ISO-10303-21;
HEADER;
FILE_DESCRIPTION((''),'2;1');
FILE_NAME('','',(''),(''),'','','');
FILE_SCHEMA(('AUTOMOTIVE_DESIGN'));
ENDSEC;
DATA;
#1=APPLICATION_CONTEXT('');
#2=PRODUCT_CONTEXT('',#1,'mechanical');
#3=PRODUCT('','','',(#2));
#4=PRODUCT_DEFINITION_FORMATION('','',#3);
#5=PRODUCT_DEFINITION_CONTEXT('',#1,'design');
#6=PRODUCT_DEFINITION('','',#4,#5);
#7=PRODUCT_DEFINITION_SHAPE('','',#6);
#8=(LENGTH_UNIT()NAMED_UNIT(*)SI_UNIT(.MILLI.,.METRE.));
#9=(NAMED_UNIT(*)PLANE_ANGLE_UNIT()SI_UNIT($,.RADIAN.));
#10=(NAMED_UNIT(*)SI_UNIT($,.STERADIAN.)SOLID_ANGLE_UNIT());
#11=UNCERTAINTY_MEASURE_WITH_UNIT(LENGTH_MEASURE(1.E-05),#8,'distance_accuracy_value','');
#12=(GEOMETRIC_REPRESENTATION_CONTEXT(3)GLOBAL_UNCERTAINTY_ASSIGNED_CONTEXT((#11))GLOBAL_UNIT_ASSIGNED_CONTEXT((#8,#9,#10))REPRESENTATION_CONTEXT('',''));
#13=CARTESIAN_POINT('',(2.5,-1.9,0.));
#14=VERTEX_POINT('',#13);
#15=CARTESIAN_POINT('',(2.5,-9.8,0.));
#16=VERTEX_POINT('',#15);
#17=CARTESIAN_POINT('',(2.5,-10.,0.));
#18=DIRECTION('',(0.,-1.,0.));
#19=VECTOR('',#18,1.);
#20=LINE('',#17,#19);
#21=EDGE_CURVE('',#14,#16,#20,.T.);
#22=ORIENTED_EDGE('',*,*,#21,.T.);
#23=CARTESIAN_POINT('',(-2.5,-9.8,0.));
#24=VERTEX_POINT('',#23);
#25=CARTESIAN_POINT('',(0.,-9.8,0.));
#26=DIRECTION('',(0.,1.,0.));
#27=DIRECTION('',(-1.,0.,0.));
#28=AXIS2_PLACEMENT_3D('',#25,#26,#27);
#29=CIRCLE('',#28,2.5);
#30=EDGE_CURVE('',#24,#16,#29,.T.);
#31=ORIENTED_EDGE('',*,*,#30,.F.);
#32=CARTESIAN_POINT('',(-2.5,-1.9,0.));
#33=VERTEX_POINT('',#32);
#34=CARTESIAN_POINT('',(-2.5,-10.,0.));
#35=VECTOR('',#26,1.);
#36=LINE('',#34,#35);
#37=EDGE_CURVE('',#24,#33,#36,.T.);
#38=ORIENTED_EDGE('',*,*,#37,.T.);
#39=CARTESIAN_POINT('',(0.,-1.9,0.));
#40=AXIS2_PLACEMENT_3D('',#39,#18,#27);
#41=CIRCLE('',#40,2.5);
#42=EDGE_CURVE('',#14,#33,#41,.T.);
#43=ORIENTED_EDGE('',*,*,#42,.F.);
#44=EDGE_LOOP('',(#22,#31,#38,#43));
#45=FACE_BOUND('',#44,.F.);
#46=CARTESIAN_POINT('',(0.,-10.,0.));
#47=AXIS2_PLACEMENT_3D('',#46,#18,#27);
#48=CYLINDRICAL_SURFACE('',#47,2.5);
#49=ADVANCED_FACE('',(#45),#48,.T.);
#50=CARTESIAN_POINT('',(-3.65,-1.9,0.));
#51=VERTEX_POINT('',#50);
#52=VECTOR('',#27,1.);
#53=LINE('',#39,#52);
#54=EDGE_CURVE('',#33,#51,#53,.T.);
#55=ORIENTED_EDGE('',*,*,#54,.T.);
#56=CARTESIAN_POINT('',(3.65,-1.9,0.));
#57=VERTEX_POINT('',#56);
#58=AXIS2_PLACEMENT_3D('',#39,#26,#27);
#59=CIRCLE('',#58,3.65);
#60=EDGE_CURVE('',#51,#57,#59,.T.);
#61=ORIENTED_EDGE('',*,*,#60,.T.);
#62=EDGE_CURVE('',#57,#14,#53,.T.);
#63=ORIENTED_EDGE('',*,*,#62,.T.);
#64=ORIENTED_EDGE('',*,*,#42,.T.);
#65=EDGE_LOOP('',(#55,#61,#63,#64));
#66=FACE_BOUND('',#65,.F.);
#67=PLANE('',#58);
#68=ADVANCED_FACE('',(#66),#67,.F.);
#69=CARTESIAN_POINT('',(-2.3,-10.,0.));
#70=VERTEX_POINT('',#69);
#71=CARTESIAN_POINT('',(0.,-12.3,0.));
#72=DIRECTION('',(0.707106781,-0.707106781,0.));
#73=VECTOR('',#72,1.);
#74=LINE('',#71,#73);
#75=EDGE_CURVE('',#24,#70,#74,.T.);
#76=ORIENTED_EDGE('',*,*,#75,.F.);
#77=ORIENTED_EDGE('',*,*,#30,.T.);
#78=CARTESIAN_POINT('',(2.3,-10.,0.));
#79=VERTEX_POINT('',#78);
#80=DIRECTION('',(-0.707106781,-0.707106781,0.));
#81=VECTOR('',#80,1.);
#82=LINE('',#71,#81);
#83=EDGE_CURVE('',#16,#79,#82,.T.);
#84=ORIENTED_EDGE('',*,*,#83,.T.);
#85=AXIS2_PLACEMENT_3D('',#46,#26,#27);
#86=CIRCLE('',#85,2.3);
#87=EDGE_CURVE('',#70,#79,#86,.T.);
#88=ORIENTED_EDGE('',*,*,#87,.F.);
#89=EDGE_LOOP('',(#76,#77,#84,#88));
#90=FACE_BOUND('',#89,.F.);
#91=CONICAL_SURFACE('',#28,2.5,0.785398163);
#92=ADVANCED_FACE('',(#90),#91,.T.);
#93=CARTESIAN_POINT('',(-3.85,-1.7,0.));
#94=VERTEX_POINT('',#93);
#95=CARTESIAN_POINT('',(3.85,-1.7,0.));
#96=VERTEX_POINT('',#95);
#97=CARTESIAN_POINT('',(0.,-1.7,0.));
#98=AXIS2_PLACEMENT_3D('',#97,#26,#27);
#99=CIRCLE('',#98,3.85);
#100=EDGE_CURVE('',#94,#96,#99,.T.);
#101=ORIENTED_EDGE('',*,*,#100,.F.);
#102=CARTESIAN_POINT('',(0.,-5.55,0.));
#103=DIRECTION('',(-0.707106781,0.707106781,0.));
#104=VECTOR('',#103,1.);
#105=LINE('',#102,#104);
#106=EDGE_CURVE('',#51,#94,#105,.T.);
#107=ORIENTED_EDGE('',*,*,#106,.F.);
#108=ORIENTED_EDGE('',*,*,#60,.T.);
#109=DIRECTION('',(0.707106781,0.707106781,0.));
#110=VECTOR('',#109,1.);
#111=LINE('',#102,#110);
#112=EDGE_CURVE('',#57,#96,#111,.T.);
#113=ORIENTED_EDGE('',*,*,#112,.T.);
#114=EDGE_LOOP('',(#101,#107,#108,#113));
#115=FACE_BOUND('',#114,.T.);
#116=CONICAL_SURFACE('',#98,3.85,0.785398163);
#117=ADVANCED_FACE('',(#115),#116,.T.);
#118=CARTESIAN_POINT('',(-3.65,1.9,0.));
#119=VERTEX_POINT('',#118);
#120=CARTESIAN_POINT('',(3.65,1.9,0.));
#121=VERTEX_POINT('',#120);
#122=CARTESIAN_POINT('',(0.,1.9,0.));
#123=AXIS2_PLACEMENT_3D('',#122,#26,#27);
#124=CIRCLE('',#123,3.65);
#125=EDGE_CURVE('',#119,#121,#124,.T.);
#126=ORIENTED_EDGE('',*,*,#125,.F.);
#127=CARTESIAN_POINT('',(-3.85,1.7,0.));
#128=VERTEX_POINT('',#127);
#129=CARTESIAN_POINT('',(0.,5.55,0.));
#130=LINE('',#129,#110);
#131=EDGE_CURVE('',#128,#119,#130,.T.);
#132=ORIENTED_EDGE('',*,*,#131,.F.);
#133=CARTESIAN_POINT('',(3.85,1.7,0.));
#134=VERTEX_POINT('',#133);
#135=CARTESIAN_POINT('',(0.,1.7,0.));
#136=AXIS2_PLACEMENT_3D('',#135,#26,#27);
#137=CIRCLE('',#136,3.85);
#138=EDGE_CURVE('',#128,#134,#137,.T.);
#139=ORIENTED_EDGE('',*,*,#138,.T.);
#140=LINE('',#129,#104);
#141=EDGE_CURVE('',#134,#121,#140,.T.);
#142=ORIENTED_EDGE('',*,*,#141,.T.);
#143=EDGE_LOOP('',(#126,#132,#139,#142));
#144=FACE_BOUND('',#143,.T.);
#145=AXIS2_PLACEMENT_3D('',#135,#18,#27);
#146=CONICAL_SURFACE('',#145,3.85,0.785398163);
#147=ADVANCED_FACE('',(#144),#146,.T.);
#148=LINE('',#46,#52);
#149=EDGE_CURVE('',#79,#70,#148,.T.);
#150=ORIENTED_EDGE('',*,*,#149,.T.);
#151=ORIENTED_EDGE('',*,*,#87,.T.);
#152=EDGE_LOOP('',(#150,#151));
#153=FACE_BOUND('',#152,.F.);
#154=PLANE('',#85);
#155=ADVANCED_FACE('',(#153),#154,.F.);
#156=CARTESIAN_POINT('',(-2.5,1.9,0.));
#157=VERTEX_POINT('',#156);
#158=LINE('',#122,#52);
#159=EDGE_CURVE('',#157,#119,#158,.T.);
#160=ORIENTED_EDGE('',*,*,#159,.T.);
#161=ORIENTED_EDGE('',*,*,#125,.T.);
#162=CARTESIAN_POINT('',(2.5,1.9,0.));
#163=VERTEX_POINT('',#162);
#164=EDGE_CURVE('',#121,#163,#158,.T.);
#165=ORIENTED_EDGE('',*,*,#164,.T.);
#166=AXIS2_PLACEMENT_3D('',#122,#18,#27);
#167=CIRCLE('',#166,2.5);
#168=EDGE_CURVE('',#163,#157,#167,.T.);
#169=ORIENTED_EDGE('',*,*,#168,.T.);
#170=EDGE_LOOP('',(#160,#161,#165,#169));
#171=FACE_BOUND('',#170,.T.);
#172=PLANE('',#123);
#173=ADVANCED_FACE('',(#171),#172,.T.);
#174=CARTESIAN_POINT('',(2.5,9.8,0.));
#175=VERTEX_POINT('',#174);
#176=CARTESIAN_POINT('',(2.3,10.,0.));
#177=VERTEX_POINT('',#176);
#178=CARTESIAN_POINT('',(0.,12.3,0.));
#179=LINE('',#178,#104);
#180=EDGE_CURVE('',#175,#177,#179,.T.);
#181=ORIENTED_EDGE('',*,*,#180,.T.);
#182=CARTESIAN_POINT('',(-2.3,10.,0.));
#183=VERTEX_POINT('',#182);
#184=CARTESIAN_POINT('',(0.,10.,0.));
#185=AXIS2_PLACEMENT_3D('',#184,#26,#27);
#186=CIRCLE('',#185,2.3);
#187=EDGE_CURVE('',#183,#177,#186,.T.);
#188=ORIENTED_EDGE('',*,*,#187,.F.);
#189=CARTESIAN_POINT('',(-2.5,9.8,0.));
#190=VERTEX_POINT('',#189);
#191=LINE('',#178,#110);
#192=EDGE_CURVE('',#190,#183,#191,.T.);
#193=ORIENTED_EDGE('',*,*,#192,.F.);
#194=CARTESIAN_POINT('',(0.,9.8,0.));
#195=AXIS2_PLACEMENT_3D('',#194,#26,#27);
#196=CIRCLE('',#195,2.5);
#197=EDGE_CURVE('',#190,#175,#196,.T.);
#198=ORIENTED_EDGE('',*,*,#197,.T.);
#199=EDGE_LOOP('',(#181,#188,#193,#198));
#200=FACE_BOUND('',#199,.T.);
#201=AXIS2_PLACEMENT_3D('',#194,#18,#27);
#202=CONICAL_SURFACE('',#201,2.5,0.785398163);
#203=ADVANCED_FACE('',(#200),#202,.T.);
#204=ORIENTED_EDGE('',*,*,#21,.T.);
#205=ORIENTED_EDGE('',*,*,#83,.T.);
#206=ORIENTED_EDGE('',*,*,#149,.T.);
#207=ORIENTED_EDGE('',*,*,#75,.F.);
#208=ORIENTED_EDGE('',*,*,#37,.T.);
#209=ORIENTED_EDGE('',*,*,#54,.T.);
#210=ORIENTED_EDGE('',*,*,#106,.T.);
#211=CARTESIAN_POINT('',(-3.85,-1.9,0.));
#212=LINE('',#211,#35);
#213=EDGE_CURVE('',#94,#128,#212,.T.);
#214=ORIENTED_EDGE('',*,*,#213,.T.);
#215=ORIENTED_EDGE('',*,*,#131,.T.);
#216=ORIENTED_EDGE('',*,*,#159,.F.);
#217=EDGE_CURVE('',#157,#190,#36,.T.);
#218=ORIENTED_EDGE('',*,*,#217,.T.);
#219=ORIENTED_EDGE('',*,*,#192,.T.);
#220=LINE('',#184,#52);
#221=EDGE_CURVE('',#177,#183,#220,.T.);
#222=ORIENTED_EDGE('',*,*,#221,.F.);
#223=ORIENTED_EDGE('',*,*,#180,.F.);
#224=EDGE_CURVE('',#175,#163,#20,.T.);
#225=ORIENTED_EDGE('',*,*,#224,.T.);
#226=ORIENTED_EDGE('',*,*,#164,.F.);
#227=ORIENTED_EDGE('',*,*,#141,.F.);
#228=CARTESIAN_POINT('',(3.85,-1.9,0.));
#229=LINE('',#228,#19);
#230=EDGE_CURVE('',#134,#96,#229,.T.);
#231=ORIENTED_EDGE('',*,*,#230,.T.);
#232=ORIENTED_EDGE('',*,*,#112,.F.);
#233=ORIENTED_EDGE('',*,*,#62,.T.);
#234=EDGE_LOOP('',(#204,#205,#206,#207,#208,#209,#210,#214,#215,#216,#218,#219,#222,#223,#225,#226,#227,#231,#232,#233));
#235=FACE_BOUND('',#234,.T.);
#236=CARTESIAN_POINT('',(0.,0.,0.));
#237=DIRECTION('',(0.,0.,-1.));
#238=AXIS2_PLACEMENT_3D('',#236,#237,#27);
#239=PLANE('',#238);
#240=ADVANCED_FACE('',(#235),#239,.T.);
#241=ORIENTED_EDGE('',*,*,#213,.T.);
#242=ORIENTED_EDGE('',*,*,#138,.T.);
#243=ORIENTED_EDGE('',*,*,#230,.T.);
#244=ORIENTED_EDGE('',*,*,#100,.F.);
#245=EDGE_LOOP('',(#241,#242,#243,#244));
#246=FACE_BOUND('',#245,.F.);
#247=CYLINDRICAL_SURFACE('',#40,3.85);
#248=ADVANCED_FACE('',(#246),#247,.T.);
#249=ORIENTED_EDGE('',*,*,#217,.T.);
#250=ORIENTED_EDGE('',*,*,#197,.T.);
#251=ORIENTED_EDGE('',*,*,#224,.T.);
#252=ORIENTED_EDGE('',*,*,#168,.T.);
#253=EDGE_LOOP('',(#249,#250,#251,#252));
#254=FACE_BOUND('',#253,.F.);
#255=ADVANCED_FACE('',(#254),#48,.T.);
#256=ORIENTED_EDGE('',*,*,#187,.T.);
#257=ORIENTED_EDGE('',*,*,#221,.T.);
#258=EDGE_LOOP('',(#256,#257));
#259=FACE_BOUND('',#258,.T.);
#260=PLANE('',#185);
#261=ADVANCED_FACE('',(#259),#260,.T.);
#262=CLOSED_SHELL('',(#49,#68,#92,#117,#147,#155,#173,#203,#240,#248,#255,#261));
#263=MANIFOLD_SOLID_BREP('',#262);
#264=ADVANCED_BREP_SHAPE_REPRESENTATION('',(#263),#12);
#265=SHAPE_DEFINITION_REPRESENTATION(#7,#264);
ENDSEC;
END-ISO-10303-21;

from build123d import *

# Parameters (mm, degrees)
BOX002011_W               = 10
BOX002011_H               = 20
BOX002011_DEPTH           = 10
CYLINDER021_R             = 2.5
CYLINDER021_DEPTH         = 20
CYLINDER020_R             = 3.85
CYLINDER020_DEPTH         = 3.8
FUSION018_PLACEMENT_ANGLE = 90
CUT001020_PLACEMENT_ANGLE = 180
CHAMFER011_SIZE           = 0.2


with BuildPart() as cube013:
    # Box002011 → Box002011 (new body)
    with BuildSketch(Plane(origin=(-5, -10, 0), x_dir=(1, 0, 0), z_dir=(0, 0, 1))):
        with Locations((5, 10)):
            Rectangle(BOX002011_W, BOX002011_H)
    extrude(amount=BOX002011_DEPTH)


with BuildPart() as cylinder021:
    # Cylinder021 → Cylinder021 (new body)
    with BuildSketch(Plane.XY.offset(-10)):
        Circle(CYLINDER021_R)
    extrude(amount=CYLINDER021_DEPTH)


with BuildPart() as plug_pin:
    # Cylinder020 → Cylinder020 (new body)
    with BuildSketch(Plane.XY.offset(-1.9)):
        Circle(CYLINDER020_R)
    extrude(amount=CYLINDER020_DEPTH)

    # Fusion018: union Cylinder021
    add(cylinder021.part)


with BuildPart() as plug_pin_1:
    # Fusion018 placement: moved
    add(plug_pin.part.rotate(Axis((0, 0, 0), (-1, 0, 0)), FUSION018_PLACEMENT_ANGLE))

    # Cut001020: cut Cube013
    add(cube013.part, mode=Mode.SUBTRACT)


with BuildPart() as plug_pin_2:
    # Cut001020 placement: moved
    add(plug_pin_1.part.rotate(Axis((0, 0, 0), (0, 1, 0)), CUT001020_PLACEMENT_ANGLE))

    # Chamfer011
    chamfer011_edges = [plug_pin_2.edges().sort_by_distance(p)[0] for p in [
        (0, 1.9, 3.85),
        (0, -1.9, 3.85),
        (0, 10, 2.5),
        (0, -10, 2.5),
    ]]
    chamfer(chamfer011_edges, length=CHAMFER011_SIZE)


solid = plug_pin_2.part
